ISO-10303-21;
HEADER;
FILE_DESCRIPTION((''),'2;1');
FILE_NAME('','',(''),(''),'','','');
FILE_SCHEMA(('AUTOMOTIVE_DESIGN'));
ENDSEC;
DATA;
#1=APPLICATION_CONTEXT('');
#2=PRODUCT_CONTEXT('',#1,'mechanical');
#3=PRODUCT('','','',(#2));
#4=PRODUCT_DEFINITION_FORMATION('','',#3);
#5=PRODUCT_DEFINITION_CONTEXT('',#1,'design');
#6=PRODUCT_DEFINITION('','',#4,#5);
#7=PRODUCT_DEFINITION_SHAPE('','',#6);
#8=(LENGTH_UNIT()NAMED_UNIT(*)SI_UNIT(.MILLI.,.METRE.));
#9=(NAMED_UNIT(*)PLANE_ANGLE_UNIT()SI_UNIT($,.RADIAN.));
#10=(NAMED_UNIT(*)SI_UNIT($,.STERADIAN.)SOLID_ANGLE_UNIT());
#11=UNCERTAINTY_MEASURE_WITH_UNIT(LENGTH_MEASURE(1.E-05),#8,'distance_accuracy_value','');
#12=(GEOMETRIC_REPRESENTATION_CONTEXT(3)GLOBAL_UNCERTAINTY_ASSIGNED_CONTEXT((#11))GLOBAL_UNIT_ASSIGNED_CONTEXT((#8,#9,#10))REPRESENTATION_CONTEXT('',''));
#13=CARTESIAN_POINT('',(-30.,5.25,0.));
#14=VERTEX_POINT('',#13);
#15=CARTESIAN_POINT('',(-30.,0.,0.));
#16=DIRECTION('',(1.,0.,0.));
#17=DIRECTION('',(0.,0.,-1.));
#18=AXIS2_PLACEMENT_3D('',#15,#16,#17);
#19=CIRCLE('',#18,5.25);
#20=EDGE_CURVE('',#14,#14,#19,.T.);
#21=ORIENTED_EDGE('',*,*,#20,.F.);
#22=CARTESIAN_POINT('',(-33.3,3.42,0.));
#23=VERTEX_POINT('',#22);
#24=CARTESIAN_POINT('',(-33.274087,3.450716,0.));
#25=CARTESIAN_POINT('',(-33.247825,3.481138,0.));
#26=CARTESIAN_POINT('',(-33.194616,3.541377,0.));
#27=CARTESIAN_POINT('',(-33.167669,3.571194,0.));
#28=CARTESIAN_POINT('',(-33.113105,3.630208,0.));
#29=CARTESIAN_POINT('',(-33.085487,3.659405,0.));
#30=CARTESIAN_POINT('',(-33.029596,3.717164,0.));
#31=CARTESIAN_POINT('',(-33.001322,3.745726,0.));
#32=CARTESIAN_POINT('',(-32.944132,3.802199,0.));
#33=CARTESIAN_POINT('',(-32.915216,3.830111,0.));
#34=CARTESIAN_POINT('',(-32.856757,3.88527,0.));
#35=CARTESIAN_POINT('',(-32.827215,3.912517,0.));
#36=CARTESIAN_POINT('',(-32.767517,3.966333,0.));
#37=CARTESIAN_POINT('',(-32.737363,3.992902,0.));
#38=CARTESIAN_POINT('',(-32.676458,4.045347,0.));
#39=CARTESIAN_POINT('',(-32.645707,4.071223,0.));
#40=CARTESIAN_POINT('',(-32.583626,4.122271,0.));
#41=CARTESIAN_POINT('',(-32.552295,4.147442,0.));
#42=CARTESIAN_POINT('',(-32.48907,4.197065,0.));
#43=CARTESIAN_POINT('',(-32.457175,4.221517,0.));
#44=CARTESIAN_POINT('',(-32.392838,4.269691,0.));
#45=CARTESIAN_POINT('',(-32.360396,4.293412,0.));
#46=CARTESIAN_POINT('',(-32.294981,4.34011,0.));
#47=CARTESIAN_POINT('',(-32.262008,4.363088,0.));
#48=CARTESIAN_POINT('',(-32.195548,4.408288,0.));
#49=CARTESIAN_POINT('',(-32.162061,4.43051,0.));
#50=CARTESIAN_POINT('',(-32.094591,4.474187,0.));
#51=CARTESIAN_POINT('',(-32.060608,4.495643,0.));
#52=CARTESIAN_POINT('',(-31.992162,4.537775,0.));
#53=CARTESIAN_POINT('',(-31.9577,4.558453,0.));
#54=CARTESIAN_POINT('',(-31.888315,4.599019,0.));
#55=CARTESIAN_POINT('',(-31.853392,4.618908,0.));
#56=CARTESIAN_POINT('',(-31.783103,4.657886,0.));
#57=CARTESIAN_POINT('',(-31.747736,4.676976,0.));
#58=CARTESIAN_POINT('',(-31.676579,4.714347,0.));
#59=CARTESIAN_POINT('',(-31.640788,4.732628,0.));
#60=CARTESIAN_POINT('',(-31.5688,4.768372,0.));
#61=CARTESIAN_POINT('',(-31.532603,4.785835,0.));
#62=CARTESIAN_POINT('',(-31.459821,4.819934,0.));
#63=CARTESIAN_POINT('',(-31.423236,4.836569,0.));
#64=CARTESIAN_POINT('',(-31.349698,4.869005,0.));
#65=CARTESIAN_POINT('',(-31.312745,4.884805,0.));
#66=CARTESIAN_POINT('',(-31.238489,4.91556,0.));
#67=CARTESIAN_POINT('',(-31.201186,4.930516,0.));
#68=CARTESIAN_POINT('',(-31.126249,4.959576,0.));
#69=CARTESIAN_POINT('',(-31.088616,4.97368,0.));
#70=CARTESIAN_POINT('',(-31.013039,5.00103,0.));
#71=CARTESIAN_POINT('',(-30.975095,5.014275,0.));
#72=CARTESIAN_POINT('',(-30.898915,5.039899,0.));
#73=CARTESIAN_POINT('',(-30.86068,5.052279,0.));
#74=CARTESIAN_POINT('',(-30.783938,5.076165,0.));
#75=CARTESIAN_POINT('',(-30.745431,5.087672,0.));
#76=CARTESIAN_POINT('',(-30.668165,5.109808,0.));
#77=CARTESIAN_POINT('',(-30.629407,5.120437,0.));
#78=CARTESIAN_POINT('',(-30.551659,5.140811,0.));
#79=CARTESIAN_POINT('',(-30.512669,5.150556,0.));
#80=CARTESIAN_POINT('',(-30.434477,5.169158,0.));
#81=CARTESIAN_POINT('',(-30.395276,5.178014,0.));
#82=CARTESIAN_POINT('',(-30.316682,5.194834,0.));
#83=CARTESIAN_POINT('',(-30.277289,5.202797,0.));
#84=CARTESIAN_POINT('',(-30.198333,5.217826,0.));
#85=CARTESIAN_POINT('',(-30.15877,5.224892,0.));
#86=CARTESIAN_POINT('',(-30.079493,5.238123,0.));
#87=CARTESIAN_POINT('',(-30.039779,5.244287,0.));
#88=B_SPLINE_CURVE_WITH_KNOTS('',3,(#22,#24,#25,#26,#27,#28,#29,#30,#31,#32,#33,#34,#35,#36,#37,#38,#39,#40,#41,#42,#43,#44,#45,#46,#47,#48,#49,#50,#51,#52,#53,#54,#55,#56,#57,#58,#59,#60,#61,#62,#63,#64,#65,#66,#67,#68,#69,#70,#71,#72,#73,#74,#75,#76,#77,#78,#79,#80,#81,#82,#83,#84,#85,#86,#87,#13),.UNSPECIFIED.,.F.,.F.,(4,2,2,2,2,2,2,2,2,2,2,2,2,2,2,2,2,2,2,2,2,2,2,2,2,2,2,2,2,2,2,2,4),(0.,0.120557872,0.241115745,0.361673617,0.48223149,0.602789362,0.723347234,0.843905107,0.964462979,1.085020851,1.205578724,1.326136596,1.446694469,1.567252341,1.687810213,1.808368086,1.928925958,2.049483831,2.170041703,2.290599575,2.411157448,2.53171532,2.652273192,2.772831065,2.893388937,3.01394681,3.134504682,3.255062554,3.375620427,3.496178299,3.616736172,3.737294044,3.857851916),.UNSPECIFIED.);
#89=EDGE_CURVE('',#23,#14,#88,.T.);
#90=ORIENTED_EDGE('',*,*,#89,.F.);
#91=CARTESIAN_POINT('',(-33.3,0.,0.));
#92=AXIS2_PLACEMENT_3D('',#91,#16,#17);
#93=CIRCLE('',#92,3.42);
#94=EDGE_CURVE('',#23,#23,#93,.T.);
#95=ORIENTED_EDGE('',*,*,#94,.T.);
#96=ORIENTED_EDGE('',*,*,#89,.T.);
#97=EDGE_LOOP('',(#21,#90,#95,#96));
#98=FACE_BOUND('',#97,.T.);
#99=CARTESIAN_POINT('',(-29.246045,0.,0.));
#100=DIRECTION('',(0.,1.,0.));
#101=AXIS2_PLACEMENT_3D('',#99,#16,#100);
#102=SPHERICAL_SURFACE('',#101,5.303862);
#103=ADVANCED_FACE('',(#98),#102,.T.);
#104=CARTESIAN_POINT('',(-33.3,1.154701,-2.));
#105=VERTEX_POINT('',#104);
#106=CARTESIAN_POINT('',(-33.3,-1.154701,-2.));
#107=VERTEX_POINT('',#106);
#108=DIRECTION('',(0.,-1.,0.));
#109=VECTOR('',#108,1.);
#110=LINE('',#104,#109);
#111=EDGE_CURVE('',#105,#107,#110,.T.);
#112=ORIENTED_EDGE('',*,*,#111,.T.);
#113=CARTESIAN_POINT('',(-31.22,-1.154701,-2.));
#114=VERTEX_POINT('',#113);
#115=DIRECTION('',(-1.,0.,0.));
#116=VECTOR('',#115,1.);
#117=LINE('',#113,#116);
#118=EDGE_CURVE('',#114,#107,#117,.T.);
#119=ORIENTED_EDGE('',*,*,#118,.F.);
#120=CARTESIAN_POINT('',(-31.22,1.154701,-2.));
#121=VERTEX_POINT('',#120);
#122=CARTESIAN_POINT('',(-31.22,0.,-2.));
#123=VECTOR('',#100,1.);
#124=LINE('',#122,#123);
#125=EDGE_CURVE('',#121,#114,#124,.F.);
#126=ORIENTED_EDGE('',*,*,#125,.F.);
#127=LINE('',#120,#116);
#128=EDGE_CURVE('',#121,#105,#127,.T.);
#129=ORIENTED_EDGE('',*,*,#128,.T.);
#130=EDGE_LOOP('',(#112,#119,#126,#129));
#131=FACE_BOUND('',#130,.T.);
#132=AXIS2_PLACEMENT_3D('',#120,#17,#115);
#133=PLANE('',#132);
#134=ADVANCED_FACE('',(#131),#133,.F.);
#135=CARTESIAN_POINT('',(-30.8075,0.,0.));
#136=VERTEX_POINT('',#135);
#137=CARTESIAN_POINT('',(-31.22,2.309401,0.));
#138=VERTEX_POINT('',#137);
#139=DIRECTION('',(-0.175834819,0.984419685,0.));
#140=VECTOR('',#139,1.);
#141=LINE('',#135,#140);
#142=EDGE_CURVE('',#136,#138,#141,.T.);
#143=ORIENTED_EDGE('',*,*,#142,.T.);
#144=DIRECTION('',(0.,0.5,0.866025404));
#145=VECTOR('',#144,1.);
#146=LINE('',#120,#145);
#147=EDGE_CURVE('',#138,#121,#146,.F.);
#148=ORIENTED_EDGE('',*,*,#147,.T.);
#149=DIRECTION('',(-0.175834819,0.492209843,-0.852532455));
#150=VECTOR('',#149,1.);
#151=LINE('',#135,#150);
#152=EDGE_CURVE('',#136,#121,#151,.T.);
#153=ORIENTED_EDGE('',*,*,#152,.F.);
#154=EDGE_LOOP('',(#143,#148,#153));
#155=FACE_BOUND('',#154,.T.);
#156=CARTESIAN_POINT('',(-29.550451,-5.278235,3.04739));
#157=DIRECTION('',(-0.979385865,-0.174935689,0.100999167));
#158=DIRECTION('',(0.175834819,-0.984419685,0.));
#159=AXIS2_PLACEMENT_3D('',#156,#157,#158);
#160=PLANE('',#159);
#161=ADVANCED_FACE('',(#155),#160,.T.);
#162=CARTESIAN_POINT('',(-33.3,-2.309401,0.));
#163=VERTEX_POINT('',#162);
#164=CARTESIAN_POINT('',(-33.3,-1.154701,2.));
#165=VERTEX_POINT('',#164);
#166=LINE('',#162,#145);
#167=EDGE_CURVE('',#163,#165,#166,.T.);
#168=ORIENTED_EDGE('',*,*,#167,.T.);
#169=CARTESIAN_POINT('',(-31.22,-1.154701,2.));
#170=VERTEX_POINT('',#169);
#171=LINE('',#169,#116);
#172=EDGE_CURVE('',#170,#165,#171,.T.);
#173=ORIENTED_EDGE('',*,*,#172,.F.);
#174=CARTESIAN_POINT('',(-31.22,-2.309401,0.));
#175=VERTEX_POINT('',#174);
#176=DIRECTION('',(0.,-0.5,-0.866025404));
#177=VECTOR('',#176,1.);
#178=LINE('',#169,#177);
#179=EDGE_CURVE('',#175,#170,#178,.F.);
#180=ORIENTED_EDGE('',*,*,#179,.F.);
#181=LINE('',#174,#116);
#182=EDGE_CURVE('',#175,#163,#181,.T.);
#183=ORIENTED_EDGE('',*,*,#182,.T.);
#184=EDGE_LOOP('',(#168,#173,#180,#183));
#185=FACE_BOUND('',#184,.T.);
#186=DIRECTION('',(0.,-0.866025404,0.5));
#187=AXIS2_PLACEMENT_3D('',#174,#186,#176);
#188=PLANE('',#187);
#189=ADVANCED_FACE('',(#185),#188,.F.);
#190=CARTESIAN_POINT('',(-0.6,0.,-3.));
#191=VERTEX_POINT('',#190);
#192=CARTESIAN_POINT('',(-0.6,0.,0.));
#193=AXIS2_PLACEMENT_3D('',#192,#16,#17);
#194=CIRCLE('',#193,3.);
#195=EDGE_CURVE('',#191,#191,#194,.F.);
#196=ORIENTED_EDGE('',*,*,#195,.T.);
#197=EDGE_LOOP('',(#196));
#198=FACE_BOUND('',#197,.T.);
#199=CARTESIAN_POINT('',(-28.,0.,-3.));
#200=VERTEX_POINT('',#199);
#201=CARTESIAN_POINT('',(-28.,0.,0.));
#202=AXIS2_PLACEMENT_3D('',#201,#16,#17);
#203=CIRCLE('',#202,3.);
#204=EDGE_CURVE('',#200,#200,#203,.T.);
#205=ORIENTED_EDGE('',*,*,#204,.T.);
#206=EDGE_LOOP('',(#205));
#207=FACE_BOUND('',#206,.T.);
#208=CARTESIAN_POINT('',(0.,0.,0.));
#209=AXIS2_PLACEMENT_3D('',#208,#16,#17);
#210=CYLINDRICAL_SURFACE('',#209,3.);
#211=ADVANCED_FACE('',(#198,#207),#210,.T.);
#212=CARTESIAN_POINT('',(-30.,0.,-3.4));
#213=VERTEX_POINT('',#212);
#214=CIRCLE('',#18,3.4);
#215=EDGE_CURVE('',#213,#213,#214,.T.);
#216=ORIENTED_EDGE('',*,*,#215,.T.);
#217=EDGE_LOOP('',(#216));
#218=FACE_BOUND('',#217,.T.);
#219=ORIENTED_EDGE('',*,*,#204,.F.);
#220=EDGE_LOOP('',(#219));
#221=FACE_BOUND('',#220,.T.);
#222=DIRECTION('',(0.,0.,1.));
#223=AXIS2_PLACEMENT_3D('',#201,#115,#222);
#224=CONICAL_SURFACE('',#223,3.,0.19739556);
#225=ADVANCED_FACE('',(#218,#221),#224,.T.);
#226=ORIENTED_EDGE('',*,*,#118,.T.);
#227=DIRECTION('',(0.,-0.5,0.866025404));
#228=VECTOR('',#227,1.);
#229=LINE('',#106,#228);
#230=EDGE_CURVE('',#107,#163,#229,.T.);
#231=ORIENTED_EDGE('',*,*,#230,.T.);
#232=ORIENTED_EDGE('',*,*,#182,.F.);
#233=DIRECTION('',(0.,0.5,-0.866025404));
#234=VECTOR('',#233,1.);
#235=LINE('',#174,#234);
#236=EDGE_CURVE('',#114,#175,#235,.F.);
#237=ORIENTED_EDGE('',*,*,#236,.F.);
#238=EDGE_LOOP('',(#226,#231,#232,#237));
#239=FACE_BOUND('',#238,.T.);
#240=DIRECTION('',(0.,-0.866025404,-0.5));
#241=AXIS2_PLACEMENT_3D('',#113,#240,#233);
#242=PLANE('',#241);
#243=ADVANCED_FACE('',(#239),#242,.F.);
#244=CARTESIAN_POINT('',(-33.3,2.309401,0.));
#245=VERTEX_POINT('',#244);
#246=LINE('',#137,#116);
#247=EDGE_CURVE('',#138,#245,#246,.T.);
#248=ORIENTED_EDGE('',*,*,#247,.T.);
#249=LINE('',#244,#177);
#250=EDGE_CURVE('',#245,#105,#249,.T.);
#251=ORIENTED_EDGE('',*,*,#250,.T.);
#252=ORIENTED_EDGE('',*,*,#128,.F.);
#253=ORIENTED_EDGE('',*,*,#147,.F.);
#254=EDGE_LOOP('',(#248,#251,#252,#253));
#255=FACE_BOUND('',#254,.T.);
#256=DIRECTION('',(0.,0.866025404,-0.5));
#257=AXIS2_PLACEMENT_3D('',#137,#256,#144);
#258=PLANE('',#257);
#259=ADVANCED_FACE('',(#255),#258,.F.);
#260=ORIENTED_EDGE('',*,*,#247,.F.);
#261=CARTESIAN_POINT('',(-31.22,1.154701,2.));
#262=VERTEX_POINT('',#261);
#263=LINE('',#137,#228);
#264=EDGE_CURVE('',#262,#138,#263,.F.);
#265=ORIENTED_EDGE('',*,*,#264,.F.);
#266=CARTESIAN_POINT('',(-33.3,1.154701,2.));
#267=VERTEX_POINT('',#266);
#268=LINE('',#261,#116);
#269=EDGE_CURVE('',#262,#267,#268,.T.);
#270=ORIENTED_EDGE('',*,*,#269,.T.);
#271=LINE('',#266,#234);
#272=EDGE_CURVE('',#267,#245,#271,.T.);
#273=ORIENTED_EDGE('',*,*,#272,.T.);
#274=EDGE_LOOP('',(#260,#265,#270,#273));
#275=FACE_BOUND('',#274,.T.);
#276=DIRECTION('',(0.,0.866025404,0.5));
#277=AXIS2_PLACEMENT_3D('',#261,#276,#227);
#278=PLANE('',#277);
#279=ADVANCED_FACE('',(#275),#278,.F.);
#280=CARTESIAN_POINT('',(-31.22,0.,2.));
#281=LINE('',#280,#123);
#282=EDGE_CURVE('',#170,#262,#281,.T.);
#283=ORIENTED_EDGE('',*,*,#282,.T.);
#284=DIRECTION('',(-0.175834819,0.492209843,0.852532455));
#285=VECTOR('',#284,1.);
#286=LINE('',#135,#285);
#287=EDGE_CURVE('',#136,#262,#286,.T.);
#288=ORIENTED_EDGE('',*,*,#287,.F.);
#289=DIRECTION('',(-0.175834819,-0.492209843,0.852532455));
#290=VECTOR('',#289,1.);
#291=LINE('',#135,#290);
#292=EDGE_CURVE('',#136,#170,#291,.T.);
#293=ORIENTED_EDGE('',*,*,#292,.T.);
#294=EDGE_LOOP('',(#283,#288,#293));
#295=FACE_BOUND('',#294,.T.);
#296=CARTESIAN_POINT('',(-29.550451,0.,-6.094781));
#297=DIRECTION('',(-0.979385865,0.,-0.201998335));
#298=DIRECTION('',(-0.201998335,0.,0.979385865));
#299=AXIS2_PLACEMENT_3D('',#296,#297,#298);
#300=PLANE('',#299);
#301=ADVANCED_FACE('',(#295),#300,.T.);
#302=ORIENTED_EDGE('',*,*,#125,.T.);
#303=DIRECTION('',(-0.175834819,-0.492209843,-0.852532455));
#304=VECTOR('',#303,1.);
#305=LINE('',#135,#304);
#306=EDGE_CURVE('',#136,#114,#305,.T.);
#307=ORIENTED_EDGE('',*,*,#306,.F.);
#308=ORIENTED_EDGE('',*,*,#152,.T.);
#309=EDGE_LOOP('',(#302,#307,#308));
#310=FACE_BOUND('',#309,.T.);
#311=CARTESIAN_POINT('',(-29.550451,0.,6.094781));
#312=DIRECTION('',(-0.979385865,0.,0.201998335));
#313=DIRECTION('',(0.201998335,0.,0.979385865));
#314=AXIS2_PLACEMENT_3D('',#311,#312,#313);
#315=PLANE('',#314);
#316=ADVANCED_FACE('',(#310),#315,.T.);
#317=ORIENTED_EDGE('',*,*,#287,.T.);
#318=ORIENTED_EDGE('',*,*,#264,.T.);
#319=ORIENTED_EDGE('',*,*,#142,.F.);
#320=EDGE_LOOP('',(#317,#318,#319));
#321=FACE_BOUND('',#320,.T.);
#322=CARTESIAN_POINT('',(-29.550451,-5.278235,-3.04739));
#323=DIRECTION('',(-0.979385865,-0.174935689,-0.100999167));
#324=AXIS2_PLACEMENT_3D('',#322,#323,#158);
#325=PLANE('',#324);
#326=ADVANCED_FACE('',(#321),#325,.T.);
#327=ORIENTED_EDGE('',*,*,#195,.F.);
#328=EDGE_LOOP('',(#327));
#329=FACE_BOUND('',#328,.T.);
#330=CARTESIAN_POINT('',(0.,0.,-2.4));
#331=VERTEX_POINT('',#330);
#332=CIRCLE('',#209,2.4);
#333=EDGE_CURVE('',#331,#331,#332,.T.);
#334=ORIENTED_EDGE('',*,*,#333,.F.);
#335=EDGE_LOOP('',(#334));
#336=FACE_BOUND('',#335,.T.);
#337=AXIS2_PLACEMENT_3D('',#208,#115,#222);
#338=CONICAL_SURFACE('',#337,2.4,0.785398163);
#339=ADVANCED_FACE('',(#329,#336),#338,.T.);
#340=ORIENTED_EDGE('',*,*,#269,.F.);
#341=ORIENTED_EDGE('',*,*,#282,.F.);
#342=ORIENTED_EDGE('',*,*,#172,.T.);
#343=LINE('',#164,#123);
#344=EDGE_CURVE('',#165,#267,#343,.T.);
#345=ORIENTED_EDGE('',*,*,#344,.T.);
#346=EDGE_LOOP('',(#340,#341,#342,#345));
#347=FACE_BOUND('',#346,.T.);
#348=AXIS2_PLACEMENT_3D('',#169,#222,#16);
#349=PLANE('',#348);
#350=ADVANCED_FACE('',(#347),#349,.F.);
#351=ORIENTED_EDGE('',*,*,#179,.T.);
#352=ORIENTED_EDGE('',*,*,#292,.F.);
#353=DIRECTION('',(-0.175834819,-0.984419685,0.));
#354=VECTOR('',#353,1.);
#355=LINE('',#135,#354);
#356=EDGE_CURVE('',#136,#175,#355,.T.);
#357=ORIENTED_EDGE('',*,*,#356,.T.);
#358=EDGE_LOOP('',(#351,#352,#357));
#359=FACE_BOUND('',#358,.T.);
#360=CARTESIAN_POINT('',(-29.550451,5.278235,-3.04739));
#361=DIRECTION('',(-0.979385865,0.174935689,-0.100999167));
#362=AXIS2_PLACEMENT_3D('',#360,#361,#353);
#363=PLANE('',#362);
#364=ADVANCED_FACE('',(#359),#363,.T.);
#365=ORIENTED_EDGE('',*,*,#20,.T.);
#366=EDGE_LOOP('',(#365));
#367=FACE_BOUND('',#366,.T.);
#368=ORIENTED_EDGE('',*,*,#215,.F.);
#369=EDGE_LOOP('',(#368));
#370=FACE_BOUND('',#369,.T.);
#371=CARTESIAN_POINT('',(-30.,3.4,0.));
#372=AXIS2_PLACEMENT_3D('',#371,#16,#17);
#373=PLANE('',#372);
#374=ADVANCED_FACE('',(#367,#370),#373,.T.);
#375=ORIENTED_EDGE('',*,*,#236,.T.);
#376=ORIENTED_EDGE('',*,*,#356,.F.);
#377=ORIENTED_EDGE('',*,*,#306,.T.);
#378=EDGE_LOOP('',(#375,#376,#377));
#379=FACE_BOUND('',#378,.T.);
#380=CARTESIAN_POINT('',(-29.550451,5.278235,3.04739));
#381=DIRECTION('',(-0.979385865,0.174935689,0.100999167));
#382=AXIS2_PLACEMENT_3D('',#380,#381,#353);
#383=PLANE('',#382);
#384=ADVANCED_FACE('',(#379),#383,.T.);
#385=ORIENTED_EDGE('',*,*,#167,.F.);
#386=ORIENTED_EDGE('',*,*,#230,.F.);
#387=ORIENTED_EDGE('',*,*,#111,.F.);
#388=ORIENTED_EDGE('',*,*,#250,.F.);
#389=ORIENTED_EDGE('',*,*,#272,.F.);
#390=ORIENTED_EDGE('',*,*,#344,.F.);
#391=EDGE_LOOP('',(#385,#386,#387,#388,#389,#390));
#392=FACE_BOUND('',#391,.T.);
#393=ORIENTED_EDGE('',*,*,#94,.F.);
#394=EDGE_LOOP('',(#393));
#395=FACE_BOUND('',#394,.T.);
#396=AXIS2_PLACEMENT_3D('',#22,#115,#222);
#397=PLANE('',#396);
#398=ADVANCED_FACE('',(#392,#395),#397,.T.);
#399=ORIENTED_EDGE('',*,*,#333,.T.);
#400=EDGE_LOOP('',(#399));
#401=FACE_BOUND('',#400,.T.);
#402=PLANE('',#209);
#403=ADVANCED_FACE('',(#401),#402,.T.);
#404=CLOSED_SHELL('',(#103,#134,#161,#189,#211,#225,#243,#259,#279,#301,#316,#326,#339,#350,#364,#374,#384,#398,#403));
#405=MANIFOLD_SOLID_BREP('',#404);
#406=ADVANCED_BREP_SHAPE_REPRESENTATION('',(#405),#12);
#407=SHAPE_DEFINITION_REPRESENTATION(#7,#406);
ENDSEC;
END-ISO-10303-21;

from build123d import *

# Parameters (mm, degrees)
CUT_EXTRUDE_1_DEPTH = 2.08
CHAMFER_1_SIZE      = 0.6


with BuildPart() as part:
    # 草图1 → 旋转1 (revolve)
    with BuildSketch(Plane.XY, mode=Mode.PRIVATE) as revolve_1_sk:
        with BuildLine():
            Line((0, 0), (0, 3))
            Line((0, 3), (-28, 3))
            Line((-28, 3), (-30, 3.4))
            Line((-30, 3.4), (-30, 5.25))
            ThreePointArc((-30, 5.25), (-31.818247324, 4.638396814), (-33.3, 3.42))
            Line((-33.3, 3.42), (-33.3, 0))
            Line((-33.3, 0), (0, 0))
        make_face()
    revolve(revolve_1_sk.sketch.rotate(Axis((0, 0, 0), (-1, 0, 0)), 90), axis=Axis((0, 0, 0), (-1, 0, 0)))

    # 草图4 → 切除-拉伸1 (cut)
    with BuildSketch(Plane.ZY.offset(33.3)):
        Polygon((0, 2.309401077), (-2, 1.154700538), (-2, -1.154700538), (0, -2.309401077), (2, -1.154700538), (2, 1.154700538), align=None)
    extrude(amount=-CUT_EXTRUDE_1_DEPTH, mode=Mode.SUBTRACT)

    # 倒角1
    chamfer_1_edges = [part.edges().sort_by_distance(p)[0] for p in [
        (0, 0, 3),
    ]]
    chamfer(chamfer_1_edges, length=CHAMFER_1_SIZE)

    # 草图6 → 切除-放样1 section 0
    with BuildSketch(Plane.ZY.offset(31.22), mode=Mode.PRIVATE) as loft_1_s0:
        with BuildLine():
            Line((0, 2.309401077), (-2, 1.154700538))
            Line((-2, 1.154700538), (-2, -1.154700538))
            Line((-2, -1.154700538), (0, -2.309401077))
            Line((0, -2.309401077), (2, -1.154700538))
            Line((2, -1.154700538), (2, 1.154700538))
            Line((2, 1.154700538), (0, 2.309401077))
        make_face()
    loft([Vertex(-30.8075, 0, 0), loft_1_s0.sketch], mode=Mode.SUBTRACT)


solid = part.part
